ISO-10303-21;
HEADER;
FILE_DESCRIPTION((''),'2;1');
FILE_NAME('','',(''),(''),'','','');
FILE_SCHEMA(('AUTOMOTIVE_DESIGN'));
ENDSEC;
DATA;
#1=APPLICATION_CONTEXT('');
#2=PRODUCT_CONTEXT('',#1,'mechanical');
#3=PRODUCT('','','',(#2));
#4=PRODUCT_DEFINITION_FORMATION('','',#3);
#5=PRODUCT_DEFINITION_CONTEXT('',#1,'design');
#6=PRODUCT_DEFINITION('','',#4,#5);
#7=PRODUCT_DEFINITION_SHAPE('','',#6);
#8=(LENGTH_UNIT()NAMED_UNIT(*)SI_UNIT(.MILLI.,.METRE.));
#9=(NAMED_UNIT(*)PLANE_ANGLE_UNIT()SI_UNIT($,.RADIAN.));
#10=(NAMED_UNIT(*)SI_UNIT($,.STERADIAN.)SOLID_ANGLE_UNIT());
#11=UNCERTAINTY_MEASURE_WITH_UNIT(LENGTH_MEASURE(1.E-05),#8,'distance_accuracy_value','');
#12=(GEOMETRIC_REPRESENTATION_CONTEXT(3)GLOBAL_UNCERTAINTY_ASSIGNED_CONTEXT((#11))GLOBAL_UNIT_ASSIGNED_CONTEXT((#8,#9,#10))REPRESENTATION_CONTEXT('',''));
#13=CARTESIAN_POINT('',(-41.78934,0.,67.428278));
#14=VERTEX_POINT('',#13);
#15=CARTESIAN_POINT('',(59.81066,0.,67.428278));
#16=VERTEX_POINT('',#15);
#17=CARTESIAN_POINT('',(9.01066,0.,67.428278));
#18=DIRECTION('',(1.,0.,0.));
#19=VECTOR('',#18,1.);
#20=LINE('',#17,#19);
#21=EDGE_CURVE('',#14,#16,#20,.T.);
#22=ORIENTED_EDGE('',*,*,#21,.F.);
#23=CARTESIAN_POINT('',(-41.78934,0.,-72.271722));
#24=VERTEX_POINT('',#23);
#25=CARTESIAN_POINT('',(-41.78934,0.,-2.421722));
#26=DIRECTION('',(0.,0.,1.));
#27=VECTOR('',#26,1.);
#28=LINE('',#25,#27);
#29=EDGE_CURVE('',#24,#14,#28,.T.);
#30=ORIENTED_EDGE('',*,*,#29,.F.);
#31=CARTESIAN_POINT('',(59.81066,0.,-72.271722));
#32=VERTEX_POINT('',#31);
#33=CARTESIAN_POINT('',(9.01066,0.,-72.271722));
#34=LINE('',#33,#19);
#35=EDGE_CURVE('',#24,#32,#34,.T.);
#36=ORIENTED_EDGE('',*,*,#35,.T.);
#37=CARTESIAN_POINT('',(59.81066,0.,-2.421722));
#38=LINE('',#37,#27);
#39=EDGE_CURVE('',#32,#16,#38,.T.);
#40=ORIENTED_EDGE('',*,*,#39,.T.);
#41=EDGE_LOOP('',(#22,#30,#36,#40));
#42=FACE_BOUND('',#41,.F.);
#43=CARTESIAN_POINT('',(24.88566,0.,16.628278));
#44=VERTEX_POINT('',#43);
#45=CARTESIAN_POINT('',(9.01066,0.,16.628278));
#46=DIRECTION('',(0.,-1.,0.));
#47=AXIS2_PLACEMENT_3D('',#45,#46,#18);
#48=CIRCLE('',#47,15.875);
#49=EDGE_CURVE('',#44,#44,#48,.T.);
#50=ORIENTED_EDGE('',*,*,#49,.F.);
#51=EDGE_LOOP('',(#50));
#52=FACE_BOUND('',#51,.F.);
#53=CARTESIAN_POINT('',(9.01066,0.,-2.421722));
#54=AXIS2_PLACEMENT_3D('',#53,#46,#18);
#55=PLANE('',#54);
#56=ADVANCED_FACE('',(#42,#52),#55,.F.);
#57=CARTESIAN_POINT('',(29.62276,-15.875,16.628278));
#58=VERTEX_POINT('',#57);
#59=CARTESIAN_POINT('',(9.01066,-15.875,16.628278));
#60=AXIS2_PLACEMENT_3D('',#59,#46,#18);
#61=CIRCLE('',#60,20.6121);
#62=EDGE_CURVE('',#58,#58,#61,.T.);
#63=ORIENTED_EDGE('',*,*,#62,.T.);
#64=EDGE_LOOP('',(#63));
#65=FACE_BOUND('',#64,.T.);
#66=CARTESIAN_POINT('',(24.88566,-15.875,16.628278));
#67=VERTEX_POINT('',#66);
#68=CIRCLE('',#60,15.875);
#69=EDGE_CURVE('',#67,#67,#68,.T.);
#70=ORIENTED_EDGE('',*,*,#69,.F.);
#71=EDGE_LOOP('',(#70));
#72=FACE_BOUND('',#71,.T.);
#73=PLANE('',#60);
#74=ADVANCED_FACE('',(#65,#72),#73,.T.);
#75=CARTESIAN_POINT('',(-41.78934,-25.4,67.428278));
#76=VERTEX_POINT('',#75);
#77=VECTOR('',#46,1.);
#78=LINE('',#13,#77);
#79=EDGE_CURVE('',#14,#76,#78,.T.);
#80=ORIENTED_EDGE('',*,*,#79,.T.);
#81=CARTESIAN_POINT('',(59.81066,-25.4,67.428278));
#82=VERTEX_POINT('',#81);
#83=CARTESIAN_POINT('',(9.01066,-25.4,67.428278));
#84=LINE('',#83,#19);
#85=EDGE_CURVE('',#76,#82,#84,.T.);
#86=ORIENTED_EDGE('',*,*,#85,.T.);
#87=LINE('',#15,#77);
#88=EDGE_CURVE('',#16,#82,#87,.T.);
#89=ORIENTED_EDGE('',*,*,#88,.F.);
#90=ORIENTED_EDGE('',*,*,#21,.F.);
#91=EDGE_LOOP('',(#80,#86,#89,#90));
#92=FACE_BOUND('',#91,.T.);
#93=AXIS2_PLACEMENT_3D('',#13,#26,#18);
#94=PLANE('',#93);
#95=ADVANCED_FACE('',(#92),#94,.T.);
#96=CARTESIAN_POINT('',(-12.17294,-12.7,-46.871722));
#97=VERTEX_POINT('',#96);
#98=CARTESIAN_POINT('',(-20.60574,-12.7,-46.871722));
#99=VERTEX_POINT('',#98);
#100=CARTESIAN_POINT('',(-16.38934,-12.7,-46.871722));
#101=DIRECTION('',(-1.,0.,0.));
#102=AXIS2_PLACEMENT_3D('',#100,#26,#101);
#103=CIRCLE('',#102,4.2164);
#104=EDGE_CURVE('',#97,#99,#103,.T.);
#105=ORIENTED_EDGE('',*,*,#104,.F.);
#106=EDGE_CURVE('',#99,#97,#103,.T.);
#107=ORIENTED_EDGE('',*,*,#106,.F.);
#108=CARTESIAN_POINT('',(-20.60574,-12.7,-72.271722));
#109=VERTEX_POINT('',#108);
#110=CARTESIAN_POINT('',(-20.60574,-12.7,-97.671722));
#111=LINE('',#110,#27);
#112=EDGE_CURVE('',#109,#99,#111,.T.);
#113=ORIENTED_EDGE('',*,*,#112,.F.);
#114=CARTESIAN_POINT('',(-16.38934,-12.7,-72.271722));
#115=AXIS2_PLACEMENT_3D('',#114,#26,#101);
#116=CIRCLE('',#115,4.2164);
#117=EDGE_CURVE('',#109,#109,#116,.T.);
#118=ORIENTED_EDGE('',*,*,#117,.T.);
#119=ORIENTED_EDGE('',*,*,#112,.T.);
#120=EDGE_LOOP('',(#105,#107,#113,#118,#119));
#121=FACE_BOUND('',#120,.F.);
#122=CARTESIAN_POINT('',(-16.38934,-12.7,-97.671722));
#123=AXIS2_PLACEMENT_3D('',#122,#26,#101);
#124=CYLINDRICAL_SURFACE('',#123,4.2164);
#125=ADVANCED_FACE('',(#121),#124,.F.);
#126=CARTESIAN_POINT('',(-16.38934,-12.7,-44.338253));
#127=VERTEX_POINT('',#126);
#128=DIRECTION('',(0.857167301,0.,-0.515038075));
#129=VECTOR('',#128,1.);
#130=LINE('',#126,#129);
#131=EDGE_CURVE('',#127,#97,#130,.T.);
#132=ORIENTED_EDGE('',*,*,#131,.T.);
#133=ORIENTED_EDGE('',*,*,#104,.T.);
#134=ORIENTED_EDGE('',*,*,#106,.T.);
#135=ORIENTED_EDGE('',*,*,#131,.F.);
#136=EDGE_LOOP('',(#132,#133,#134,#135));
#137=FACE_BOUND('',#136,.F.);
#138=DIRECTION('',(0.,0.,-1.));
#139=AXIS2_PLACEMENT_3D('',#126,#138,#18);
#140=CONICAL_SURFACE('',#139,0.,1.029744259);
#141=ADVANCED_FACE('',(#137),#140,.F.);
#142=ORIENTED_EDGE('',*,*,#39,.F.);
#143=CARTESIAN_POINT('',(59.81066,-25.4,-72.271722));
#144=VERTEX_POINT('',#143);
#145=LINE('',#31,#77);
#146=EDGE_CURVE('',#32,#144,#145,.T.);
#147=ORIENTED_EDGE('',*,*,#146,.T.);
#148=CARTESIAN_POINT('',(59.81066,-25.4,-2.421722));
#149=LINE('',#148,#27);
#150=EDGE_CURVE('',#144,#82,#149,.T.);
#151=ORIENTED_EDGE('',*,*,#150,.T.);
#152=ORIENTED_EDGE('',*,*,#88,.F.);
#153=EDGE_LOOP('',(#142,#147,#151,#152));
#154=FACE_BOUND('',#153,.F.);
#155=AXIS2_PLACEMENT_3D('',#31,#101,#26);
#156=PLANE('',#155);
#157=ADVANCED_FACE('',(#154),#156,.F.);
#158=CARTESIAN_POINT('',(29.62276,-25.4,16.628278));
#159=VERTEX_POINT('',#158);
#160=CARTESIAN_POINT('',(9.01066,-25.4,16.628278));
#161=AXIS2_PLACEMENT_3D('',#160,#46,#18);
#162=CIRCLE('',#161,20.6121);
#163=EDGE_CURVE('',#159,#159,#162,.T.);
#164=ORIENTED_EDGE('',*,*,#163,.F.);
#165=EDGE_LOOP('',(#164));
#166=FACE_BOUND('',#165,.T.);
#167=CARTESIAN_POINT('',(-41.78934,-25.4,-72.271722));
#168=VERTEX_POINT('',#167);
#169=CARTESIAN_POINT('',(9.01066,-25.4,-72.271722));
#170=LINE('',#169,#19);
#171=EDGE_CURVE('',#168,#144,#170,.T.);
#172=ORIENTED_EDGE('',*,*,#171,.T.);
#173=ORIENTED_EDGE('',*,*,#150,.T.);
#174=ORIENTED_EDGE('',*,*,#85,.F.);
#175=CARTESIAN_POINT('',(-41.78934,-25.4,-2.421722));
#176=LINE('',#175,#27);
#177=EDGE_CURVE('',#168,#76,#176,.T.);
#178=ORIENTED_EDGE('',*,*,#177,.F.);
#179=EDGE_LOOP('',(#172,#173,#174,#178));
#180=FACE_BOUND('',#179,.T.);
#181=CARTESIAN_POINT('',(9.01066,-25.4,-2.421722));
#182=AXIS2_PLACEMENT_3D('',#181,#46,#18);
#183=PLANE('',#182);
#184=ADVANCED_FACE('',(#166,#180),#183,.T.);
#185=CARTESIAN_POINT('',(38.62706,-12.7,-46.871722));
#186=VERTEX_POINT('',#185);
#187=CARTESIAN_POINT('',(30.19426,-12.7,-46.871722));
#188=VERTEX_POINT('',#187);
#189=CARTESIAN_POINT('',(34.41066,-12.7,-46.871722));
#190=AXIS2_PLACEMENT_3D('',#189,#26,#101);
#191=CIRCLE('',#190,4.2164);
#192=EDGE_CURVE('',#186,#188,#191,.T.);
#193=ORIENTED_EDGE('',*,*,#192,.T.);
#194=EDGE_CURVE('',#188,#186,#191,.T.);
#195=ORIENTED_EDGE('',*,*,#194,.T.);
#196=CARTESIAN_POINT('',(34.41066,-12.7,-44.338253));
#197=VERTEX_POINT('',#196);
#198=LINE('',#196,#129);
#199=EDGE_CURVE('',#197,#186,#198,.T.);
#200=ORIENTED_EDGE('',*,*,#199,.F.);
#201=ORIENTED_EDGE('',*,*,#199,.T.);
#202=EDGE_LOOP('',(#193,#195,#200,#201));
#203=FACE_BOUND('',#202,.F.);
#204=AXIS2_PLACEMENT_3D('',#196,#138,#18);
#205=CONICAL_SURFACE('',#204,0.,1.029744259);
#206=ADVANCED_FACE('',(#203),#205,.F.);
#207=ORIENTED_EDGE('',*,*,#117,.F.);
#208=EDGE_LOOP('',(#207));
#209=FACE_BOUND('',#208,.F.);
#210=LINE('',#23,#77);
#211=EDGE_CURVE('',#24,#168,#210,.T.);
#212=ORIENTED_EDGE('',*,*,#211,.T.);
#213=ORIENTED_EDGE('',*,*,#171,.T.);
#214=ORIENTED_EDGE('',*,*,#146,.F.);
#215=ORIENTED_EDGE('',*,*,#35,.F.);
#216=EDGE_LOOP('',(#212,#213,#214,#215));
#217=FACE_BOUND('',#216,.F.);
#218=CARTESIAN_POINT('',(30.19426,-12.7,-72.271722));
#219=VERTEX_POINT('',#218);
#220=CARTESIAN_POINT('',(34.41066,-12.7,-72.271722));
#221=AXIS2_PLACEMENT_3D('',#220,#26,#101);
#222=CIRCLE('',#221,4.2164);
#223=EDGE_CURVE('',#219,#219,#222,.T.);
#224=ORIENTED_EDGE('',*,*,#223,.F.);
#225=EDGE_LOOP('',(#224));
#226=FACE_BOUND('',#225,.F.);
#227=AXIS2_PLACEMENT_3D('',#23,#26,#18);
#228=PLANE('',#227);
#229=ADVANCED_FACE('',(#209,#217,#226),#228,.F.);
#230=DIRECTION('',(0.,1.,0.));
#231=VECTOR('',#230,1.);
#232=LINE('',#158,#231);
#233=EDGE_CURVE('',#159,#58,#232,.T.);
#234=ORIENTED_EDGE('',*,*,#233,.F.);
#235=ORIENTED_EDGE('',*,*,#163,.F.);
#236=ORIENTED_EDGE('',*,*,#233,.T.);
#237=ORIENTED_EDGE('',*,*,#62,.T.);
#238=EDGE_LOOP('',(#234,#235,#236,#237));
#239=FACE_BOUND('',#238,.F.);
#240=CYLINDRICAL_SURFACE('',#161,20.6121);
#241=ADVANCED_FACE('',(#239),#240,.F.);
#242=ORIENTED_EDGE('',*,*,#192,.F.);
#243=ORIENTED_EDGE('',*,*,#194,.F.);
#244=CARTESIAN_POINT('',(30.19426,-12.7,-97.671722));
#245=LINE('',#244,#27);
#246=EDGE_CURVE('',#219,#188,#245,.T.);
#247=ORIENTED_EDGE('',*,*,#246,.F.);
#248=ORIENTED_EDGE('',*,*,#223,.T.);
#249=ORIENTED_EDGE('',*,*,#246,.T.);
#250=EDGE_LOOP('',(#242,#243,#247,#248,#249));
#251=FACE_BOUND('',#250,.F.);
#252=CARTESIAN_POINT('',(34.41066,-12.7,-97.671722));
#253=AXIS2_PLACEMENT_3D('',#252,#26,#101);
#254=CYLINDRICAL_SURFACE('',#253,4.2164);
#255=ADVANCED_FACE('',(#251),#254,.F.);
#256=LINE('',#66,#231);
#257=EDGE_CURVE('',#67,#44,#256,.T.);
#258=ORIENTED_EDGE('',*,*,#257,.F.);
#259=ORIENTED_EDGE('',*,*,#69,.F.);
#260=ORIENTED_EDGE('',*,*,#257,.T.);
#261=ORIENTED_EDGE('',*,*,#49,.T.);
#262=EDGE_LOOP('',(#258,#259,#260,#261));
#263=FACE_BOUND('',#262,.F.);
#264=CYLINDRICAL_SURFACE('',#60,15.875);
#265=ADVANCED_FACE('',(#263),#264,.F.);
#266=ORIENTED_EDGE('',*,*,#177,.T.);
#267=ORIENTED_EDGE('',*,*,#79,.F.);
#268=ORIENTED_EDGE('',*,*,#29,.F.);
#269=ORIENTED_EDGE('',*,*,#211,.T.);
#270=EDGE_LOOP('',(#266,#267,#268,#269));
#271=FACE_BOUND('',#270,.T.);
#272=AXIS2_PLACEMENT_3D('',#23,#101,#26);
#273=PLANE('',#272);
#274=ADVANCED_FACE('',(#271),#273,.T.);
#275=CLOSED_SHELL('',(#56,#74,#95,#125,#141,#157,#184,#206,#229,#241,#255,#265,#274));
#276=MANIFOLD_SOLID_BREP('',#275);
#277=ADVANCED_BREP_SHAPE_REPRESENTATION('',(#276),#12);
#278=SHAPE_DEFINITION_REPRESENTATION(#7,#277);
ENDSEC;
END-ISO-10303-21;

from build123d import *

# Parameters (mm, degrees)
F0_W     = 101.6
F0_H     = 139.7
F1_DEPTH = 25.4
F3_D     = 8.4328
F3_DEPTH = 25.4
F3_TIP   = 2.5334687141
F4_R     = 20.6121
F5_DEPTH = 9.525
F6_R     = 15.875
F7_DEPTH = 25.4


with BuildPart() as f1:
    # F0 (on Front) → F1 (new body)
    with BuildSketch(Plane.XZ):
        with Locations((9.0106602939, -2.4217218161)):
            Rectangle(F0_W, F0_H)
    extrude(amount=F1_DEPTH)

    # F3
    with Locations(Plane(origin=(0, 0, -72.2717218161), x_dir=(1, 0, 0), z_dir=(0, 0, -1))):
        with Locations((-16.3893397061, 12.7), (34.4106602939, 12.7)):
            Hole(F3_D / 2, depth=F3_DEPTH)
            with Locations((0, 0, -(F3_DEPTH + F3_TIP / 2))):  # 118° drill point
                Cone(0, F3_D / 2, F3_TIP, mode=Mode.SUBTRACT)

    # F4 (on face) → F5 (cut)
    with BuildSketch(Plane.XZ.offset(25.4)):
        with Locations((9.0106602939, 16.6282781839)):
            Circle(F4_R)
    extrude(amount=-F5_DEPTH, mode=Mode.SUBTRACT)

    # F6 (on face) → F7 (cut)
    with BuildSketch(Plane.XZ.offset(15.875)):
        with Locations((9.0106602939, 16.6282781839)):
            Circle(F6_R)
    extrude(amount=-F7_DEPTH, mode=Mode.SUBTRACT)


solid = f1.part
